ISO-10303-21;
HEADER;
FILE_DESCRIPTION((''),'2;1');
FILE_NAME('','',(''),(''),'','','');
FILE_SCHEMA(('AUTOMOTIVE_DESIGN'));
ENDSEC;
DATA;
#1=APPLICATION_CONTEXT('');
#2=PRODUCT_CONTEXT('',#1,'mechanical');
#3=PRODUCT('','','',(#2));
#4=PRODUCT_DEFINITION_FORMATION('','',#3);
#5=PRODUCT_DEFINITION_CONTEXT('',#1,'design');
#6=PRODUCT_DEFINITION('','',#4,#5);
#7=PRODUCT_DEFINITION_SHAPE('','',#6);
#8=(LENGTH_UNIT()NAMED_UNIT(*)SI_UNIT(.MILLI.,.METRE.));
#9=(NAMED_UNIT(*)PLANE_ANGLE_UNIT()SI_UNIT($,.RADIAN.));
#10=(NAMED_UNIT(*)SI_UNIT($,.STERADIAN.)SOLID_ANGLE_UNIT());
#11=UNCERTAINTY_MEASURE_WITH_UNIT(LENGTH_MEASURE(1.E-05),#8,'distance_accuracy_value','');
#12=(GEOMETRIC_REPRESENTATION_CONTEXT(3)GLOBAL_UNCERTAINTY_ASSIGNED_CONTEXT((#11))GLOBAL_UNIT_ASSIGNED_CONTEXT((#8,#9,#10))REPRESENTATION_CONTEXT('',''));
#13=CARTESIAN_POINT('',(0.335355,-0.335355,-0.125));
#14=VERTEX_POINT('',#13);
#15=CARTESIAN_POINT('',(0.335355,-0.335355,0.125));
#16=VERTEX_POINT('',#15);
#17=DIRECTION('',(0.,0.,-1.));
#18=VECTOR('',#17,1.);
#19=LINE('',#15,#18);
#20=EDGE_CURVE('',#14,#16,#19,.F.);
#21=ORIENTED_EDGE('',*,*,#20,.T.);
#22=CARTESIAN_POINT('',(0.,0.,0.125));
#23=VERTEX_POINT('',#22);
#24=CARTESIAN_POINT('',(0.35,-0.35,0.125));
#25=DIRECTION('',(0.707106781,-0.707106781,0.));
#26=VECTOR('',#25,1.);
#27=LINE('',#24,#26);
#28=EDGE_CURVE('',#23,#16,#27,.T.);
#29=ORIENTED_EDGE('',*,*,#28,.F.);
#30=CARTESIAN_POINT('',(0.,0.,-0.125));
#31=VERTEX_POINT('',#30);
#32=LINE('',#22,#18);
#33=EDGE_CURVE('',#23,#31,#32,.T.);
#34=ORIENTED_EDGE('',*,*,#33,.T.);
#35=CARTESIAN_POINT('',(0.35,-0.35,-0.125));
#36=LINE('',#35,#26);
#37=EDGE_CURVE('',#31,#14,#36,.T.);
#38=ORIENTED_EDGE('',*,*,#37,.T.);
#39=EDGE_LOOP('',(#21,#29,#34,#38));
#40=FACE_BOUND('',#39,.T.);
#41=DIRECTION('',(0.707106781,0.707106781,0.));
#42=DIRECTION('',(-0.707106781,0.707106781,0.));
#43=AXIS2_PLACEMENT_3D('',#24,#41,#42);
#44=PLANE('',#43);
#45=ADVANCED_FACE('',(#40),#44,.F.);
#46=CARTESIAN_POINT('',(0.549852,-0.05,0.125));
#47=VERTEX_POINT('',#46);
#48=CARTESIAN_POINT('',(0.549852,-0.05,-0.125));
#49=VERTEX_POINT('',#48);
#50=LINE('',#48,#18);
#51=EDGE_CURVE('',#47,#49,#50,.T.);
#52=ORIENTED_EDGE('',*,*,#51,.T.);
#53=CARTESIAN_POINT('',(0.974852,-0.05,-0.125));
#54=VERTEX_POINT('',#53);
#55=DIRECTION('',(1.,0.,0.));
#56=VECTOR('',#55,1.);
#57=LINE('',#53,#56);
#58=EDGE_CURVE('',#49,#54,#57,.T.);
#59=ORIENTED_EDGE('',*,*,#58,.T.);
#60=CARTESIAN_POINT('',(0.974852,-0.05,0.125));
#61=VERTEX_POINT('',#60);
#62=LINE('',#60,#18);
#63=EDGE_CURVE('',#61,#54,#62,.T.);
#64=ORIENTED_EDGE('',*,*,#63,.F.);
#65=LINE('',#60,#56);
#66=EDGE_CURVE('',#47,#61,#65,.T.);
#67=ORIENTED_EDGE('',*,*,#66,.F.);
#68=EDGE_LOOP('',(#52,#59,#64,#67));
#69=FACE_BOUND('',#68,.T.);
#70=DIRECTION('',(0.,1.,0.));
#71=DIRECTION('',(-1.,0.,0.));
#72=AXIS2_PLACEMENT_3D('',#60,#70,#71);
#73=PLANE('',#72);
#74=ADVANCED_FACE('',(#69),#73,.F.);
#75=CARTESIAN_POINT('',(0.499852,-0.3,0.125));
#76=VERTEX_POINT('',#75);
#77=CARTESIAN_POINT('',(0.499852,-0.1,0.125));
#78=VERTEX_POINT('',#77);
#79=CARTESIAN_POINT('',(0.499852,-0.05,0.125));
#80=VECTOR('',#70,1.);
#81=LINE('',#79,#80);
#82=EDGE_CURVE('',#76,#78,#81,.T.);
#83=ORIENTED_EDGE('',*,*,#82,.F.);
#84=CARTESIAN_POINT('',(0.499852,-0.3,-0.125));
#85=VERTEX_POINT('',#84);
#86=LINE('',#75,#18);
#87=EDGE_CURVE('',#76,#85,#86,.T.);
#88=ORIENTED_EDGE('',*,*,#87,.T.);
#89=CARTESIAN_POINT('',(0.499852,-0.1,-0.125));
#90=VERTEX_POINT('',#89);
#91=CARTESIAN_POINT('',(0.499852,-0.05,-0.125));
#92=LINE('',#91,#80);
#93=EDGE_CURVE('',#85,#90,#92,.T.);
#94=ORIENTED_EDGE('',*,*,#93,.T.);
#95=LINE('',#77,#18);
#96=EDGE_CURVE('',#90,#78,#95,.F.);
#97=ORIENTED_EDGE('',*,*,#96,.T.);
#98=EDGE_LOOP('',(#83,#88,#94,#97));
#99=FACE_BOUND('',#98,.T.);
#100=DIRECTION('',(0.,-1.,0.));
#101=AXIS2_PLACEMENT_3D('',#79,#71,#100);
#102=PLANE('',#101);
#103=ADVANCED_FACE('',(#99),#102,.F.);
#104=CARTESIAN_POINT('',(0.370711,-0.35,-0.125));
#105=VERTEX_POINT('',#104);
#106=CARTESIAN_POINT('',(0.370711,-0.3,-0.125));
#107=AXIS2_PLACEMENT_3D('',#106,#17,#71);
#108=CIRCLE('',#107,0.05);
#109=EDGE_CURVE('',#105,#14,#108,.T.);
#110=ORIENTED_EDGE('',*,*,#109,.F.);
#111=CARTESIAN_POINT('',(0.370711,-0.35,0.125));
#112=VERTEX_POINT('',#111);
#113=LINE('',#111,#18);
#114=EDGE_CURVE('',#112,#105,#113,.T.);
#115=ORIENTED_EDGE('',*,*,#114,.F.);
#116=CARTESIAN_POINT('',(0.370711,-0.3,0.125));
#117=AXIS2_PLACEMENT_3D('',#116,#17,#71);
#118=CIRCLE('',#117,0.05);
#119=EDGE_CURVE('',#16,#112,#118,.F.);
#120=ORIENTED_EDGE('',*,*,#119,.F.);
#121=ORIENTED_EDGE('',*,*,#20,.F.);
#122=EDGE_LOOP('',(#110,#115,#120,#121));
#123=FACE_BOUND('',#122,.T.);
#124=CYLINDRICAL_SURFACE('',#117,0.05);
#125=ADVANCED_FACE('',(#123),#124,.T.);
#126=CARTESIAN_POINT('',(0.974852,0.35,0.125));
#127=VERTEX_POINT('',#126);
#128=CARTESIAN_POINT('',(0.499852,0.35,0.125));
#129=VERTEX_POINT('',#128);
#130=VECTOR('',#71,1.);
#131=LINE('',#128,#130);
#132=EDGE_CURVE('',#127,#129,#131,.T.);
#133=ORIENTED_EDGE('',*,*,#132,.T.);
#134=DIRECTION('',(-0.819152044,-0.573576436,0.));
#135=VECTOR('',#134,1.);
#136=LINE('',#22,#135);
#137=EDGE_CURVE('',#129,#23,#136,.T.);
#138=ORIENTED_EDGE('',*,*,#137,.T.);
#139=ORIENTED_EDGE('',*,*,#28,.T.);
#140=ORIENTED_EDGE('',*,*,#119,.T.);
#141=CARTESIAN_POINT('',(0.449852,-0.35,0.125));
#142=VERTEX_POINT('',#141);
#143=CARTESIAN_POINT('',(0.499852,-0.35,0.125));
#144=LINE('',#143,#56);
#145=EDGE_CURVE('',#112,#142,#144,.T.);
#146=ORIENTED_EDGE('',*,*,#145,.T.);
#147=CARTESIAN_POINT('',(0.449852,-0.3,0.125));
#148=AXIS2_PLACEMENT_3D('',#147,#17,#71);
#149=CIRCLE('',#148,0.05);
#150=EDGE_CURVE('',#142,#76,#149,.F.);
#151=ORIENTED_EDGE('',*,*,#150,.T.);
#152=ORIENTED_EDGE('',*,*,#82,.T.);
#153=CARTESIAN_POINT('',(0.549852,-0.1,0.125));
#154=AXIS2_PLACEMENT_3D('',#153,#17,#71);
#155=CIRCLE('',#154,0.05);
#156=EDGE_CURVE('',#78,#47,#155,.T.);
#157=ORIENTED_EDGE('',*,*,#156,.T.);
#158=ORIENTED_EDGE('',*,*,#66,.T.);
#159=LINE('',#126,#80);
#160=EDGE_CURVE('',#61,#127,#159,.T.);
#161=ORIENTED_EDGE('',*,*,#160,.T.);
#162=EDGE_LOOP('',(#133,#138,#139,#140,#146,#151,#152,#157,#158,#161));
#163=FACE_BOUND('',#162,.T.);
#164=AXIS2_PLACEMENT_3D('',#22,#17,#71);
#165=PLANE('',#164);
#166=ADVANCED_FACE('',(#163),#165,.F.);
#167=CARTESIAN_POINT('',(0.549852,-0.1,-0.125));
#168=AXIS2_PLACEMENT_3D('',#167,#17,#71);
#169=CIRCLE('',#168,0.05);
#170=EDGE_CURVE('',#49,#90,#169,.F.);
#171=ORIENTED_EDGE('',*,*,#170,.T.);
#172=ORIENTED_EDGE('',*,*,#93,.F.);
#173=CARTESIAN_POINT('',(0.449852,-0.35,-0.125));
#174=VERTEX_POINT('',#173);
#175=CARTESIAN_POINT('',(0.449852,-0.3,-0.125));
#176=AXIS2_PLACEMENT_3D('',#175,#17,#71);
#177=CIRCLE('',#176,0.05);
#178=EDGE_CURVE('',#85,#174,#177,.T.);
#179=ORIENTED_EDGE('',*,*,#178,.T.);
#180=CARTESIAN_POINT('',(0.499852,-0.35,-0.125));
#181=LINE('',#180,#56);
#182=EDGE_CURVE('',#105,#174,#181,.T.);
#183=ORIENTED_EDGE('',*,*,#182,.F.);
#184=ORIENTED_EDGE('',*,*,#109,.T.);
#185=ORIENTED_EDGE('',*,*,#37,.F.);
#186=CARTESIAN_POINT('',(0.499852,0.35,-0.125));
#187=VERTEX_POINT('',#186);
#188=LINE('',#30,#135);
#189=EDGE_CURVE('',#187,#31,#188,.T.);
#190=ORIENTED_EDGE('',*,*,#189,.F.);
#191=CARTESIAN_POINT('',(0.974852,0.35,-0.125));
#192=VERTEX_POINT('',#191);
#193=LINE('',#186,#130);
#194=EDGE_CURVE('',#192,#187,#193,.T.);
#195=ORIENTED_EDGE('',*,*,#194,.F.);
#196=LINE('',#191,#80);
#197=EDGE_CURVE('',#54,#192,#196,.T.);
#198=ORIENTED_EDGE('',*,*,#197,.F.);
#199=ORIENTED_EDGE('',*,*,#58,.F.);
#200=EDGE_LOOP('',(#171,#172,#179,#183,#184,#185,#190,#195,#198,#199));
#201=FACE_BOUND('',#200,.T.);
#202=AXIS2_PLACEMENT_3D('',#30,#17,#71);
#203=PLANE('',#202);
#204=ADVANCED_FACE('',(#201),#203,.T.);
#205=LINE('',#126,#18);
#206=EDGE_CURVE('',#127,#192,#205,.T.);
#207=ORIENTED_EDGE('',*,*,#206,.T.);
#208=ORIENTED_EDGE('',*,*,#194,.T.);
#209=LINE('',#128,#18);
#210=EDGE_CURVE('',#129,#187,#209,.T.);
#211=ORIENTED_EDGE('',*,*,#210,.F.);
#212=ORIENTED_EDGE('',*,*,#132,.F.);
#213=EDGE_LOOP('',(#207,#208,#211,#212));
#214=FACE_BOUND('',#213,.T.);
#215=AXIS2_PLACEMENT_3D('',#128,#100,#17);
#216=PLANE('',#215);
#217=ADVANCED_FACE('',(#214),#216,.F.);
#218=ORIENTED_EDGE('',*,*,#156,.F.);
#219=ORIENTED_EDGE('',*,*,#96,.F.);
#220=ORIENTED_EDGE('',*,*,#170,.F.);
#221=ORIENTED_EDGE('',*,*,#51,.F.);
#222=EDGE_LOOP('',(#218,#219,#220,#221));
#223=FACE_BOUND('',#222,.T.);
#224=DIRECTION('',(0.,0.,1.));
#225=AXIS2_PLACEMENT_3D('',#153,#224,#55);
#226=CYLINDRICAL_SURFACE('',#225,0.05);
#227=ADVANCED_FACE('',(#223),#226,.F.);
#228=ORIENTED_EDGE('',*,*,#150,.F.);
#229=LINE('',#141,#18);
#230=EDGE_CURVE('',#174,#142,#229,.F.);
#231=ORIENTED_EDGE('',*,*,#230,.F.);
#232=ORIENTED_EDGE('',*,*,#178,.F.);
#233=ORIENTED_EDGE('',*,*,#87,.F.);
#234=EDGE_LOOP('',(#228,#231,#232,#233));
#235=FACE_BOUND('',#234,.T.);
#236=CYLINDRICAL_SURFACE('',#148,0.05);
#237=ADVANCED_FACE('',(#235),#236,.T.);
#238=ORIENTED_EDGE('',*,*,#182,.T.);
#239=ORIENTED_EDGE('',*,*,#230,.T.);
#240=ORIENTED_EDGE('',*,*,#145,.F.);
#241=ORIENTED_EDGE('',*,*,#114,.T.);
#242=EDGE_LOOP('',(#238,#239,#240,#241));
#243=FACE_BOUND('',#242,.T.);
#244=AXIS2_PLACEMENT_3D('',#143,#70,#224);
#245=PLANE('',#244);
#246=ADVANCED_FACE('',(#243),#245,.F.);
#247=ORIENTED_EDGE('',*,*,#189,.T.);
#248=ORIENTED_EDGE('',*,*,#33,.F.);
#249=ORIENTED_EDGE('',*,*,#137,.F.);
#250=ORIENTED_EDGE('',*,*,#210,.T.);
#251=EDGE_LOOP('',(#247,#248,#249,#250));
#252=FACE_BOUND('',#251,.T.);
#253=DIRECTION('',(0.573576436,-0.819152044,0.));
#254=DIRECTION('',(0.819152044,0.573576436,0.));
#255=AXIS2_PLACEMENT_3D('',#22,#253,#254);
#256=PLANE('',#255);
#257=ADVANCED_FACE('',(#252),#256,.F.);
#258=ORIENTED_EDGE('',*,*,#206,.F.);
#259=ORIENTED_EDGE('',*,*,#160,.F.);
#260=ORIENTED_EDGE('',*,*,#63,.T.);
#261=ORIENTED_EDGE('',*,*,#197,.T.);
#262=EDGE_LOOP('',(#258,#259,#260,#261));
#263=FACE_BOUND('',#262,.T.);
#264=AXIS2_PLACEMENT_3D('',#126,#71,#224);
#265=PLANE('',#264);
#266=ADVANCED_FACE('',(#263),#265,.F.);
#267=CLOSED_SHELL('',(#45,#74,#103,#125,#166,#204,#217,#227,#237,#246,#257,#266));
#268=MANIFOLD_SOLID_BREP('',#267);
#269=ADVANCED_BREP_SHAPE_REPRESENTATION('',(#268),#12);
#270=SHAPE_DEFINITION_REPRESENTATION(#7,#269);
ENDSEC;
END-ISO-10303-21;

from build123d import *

# Parameters (mm, degrees)
BOSS_EXTRUDE1_DEPTH = 0.125
FILLET1_R           = 0.05


with BuildPart() as part:
    # frame_outline → Boss-Extrude1 (new, symmetric)
    with BuildSketch(Plane.XY):
        Polygon((0, 0), (0.499851802, 0.35), (0.974851802, 0.35), (0.974851802, -0.05), (0.499851802, -0.05), (0.499851802, -0.35), (0.35, -0.35), align=None)
    extrude(amount=BOSS_EXTRUDE1_DEPTH, both=True)

    # Fillet1
    fillet1_edges = [part.edges().sort_by_distance(p)[0] for p in [
        (0.499851802, -0.05, 0),
        (0.499851802, -0.35, 0),
        (0.35, -0.35, 0),
    ]]
    fillet(fillet1_edges, radius=FILLET1_R)


solid = part.part
